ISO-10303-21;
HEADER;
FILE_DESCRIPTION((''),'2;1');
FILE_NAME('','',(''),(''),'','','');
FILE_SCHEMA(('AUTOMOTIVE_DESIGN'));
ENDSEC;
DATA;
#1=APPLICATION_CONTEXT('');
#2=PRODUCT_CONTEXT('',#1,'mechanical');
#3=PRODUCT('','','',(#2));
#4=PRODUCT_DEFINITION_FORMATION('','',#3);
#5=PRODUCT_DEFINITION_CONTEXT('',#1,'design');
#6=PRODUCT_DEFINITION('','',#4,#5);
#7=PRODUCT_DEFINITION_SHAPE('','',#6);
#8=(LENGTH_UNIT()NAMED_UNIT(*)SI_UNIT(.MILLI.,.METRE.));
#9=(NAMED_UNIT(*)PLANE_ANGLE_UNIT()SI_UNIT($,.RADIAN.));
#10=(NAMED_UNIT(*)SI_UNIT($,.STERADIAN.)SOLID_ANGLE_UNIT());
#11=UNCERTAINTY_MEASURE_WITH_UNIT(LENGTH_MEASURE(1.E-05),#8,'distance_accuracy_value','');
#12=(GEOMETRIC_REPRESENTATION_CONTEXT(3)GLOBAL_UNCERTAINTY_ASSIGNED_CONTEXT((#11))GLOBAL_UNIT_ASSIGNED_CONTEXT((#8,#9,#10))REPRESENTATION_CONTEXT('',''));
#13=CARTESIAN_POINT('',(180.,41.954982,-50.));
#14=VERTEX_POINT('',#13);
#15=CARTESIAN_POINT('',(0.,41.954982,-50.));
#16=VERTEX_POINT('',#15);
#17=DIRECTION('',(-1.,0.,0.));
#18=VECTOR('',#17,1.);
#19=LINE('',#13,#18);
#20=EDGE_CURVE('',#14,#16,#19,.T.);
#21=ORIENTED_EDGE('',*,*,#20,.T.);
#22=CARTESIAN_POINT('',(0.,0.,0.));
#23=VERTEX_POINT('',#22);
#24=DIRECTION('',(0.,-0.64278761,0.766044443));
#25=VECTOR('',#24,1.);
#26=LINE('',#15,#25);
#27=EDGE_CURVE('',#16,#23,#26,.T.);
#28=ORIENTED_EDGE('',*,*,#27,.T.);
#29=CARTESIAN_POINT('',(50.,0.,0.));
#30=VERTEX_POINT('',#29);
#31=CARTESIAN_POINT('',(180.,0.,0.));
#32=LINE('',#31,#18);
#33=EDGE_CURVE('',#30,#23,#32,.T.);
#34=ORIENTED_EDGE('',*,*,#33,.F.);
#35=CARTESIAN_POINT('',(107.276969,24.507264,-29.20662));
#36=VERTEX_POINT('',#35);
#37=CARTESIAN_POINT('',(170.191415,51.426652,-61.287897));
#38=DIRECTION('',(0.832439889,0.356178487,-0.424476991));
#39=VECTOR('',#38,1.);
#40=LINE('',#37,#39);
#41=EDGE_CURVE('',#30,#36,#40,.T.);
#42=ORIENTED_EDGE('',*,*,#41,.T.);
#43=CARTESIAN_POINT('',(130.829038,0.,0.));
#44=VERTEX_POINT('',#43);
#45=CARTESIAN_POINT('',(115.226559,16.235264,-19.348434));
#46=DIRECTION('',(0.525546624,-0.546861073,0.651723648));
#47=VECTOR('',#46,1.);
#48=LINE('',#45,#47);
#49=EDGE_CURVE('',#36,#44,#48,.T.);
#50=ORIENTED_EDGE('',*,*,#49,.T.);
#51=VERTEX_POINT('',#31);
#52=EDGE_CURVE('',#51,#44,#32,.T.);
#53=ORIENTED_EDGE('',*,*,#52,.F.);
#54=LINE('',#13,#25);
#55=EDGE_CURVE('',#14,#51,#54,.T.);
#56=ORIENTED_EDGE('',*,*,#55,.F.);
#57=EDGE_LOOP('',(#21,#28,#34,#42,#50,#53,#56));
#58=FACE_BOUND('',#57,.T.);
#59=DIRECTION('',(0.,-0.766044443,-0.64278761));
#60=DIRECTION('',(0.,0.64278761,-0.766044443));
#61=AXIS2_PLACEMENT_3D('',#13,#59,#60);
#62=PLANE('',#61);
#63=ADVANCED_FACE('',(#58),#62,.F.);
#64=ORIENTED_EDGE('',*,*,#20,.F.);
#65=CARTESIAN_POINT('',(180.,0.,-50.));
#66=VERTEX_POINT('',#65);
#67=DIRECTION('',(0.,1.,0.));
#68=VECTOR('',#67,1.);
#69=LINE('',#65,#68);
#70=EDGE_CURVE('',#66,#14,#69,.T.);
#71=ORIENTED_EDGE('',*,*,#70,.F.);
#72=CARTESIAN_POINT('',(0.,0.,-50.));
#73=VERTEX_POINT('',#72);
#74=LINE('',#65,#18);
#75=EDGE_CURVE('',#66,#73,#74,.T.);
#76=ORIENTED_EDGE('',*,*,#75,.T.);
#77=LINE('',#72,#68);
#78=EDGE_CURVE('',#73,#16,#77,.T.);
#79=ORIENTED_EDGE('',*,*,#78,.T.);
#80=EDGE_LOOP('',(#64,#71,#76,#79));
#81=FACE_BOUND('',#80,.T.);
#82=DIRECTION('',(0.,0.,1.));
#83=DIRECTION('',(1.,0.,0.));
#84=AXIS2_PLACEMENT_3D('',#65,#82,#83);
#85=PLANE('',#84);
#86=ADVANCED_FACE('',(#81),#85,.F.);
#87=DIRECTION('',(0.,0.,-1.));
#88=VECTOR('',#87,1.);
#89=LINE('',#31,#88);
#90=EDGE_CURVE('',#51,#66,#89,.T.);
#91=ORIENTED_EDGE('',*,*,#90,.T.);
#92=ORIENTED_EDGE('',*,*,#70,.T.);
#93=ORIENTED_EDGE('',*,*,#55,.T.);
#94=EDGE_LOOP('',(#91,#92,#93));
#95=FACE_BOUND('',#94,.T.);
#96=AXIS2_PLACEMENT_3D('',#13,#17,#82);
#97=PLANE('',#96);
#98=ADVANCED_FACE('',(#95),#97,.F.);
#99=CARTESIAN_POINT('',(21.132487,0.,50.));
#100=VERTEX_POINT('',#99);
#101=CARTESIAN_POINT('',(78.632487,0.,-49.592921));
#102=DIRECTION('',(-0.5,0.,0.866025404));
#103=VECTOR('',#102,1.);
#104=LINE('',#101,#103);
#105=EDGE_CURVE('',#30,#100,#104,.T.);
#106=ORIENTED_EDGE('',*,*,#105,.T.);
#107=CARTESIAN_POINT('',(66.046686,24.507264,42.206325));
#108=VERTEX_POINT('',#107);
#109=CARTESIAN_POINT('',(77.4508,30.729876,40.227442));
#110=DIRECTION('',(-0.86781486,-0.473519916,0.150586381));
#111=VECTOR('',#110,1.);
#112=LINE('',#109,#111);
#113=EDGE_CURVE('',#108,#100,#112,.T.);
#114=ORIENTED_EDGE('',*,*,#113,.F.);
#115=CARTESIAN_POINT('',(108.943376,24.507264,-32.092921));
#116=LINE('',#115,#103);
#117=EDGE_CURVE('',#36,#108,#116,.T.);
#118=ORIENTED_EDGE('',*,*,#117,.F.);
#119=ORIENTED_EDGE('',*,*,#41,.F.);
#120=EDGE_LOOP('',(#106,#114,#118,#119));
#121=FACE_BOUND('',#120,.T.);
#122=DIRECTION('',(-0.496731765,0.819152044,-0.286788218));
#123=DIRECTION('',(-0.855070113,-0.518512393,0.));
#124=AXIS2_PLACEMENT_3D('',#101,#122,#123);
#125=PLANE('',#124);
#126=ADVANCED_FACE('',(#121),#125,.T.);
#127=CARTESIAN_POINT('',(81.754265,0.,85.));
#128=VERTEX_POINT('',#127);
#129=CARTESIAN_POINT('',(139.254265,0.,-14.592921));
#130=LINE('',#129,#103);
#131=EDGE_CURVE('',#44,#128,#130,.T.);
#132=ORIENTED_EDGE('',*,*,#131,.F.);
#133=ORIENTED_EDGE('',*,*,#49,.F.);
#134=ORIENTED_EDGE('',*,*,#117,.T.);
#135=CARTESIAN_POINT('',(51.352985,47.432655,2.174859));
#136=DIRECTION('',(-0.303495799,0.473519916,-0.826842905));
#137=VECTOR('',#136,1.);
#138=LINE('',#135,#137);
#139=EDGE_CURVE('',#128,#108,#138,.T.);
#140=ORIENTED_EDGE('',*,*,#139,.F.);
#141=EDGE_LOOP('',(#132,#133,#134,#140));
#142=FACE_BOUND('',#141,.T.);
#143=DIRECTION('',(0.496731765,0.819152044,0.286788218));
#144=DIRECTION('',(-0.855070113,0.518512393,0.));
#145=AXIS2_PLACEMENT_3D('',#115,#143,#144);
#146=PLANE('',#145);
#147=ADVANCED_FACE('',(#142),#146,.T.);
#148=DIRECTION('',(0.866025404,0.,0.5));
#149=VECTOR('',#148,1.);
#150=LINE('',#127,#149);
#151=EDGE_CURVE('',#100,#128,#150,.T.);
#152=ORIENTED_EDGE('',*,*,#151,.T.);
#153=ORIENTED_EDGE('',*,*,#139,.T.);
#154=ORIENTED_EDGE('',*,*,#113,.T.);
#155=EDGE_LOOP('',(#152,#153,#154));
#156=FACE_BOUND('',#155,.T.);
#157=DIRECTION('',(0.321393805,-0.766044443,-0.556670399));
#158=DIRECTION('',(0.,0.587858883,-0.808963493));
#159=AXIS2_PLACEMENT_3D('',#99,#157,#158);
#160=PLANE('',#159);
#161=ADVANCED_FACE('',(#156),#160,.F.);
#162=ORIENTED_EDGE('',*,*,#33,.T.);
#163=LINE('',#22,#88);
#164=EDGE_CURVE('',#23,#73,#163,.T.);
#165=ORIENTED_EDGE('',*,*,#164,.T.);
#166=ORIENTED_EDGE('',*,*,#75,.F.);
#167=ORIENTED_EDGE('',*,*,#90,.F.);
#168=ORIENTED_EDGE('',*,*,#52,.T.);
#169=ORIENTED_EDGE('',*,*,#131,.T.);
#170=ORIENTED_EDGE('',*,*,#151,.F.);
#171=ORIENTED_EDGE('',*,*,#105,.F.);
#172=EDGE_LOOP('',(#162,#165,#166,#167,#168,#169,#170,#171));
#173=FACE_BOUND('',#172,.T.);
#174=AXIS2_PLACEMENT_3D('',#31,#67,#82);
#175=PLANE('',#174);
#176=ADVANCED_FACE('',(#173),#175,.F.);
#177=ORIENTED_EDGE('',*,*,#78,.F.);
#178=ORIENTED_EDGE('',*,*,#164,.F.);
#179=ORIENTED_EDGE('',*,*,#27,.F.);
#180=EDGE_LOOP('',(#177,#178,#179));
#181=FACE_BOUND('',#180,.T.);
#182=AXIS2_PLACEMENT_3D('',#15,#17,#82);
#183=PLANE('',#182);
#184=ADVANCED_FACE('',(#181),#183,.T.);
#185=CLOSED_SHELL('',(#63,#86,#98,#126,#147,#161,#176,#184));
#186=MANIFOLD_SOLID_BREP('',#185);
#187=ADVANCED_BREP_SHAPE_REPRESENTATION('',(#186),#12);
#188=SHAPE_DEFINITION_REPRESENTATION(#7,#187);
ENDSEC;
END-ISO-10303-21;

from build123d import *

# Parameters (mm, degrees)
EXTRUDE1_DEPTH     = 180
EXTRUDE2_DEPTH     = 115
CUT_EXTRUDE1_DEPTH = 35


with BuildPart() as part:
    # Sketch1 → Extrude1 (new body)
    with BuildSketch(Plane(origin=(0, 0, 0), x_dir=(0, 0, -1), z_dir=(1, 0, 0))):
        Polygon((0, 0), (50, 0), (50, 41.954981559), align=None)
    extrude(amount=EXTRUDE1_DEPTH)

    # Sketch5 → Extrude2 (add)
    with BuildSketch(Plane(origin=(-16.367513459, 0, 28.349364905), x_dir=(0.866025404, 0, 0.5), z_dir=(-0.5, 0, 0.866025404))):
        Polygon((43.301270189, 0), (78.301270189, 24.507263837), (113.301270189, 0), align=None)
    extrude(amount=-EXTRUDE2_DEPTH)

    # Sketch6 → Cut-Extrude1 (cut, symmetric)
    with BuildSketch(Plane(origin=(51.443375673, 0, 67.5), x_dir=(0.5, 0, -0.866025404), z_dir=(0.866025404, 0, 0.5))):
        Polygon((29.206619723, 24.507263837), (0, 24.507263837), (0, 0), align=None)
    extrude(amount=CUT_EXTRUDE1_DEPTH, both=True, mode=Mode.SUBTRACT)


solid = part.part
